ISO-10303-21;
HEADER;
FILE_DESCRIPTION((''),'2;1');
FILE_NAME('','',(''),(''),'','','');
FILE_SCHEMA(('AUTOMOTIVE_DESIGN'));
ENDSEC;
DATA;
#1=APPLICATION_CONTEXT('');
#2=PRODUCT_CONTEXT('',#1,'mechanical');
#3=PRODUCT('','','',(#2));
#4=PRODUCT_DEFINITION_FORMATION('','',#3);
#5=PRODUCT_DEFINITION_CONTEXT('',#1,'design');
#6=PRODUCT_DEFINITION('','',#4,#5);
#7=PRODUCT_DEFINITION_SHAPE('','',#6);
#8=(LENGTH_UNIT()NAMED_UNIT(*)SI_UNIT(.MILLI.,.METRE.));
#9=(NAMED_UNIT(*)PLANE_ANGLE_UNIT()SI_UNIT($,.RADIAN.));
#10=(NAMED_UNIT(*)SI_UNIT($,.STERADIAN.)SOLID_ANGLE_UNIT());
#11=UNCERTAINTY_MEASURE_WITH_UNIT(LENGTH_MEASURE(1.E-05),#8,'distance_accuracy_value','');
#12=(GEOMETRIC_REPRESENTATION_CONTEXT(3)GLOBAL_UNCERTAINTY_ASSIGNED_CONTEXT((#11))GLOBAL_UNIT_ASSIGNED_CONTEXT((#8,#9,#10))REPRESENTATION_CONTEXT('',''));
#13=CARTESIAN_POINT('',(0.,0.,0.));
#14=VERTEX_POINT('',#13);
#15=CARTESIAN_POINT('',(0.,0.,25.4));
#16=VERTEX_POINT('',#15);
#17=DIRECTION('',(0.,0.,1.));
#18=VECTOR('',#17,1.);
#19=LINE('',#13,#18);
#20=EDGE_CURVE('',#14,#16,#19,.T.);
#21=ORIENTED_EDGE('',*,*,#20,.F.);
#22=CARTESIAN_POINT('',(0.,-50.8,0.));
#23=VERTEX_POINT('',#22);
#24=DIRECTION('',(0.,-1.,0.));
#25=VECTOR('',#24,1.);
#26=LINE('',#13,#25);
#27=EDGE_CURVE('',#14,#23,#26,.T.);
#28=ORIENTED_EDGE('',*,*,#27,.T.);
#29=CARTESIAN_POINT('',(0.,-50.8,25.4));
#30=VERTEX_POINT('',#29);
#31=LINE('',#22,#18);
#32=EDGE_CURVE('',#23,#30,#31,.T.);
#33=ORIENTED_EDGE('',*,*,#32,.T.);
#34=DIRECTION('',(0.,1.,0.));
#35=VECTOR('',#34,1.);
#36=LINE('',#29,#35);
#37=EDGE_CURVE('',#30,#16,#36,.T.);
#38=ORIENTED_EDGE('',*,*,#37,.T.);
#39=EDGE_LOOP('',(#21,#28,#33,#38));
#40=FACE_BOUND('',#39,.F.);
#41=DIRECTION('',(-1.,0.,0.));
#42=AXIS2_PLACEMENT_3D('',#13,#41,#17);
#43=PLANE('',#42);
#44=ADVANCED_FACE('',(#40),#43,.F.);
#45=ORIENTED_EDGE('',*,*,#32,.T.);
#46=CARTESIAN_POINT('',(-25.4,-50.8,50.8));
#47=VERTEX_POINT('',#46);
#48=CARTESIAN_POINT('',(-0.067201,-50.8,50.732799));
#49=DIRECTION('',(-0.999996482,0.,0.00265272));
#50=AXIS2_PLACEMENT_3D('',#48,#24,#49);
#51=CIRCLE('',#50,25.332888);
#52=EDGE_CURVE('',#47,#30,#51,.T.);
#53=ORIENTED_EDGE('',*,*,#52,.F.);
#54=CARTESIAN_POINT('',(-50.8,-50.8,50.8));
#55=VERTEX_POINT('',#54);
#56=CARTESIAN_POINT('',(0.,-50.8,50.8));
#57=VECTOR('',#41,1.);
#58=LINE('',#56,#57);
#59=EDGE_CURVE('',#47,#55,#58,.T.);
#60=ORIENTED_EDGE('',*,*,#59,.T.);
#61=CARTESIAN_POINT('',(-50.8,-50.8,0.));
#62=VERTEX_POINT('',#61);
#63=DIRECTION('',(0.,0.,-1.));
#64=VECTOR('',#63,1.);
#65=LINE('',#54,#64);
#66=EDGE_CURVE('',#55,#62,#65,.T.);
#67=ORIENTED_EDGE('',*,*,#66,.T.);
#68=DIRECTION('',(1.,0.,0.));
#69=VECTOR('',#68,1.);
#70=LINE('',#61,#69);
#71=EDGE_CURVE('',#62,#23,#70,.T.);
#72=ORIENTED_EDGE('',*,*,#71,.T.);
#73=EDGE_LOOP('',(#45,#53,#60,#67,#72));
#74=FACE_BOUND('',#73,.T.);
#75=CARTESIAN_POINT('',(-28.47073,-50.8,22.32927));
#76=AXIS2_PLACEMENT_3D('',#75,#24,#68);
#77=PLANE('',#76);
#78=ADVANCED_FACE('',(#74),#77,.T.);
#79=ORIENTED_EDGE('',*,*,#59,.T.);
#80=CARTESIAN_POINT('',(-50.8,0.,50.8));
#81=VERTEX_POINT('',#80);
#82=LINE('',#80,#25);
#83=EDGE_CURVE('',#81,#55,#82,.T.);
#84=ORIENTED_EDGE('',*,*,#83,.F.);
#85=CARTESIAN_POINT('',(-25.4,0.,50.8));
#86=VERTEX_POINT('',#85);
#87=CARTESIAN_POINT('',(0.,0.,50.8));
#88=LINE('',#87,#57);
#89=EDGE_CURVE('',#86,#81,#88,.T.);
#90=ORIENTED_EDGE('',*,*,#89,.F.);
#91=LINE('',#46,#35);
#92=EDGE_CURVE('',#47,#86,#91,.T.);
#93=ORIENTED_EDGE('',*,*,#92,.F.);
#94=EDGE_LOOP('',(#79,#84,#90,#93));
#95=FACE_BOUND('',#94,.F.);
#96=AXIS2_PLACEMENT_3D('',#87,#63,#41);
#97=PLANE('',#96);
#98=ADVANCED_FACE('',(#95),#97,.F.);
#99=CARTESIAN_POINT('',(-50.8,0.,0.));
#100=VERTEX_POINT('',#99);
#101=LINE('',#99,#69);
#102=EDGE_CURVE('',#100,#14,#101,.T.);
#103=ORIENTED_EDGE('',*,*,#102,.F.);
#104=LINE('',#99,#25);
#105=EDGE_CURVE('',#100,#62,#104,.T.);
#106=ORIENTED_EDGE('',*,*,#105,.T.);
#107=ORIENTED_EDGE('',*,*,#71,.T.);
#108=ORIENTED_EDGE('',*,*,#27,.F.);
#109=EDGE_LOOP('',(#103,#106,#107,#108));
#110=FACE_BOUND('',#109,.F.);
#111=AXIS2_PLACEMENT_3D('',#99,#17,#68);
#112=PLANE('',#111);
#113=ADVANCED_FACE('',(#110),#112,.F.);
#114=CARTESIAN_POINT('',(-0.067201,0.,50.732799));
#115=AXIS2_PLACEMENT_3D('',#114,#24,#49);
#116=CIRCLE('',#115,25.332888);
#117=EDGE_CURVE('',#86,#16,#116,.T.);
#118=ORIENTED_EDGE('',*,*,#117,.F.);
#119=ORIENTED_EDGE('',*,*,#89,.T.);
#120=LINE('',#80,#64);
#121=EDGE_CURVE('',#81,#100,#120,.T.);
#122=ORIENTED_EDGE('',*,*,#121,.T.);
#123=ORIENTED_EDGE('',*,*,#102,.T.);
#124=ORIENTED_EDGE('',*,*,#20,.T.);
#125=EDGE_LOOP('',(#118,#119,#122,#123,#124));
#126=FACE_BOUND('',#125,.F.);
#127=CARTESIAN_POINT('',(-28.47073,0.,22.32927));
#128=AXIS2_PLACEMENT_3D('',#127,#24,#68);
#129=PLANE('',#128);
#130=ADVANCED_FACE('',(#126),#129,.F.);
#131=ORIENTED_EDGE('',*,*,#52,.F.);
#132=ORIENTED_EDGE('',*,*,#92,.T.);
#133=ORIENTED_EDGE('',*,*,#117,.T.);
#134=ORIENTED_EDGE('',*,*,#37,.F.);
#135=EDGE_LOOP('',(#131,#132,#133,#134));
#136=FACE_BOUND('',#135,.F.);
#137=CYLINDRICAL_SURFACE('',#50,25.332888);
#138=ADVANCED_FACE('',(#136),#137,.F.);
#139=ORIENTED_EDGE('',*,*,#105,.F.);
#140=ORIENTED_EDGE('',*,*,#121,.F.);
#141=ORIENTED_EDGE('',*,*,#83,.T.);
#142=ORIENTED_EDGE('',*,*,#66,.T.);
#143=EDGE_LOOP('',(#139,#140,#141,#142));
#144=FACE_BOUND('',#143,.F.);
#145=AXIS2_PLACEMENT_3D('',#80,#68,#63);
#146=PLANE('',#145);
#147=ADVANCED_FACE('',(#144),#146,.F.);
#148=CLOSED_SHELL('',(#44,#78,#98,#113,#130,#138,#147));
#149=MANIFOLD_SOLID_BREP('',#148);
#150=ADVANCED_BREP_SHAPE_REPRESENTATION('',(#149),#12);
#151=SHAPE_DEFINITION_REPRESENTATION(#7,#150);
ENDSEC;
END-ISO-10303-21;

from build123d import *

# Parameters (mm, degrees)
F1_DEPTH = 50.8
F3_DEPTH = 50.8


with BuildPart() as f1:
    # F0 (on Front) → F1 (new body)
    with BuildSketch(Plane.XZ):
        with BuildLine():
            Line((-50.8, 0), (0, 0))
            Line((0, 0), (0, 25.4))
            ThreePointArc((0, 25.4), (-17.970042, 32.829958), (-25.4, 50.8))
            Line((-25.4, 50.8), (-50.8, 50.8))
            Line((-50.8, 50.8), (-50.8, 0))
        make_face()
        with BuildLine():
            ThreePointArc((-25.4, 50.8), (-17.970042, 32.829958), (0, 25.4))
            Line((0, 25.4), (0, 50.8))
            Line((0, 50.8), (-25.4, 50.8))
        make_face()
    extrude(amount=F1_DEPTH)

    # F2 (on face) → F3 (cut)
    with BuildSketch(Plane.XZ.offset(50.8)):
        with BuildLine():
            Line((0, 50.8), (-25.4, 50.8))
            ThreePointArc((-25.4, 50.8), (-17.980258, 32.819742), (0, 25.4))
            Line((0, 25.4), (0, 50.8))
        make_face()
    extrude(amount=-F3_DEPTH, mode=Mode.SUBTRACT)


solid = f1.part
